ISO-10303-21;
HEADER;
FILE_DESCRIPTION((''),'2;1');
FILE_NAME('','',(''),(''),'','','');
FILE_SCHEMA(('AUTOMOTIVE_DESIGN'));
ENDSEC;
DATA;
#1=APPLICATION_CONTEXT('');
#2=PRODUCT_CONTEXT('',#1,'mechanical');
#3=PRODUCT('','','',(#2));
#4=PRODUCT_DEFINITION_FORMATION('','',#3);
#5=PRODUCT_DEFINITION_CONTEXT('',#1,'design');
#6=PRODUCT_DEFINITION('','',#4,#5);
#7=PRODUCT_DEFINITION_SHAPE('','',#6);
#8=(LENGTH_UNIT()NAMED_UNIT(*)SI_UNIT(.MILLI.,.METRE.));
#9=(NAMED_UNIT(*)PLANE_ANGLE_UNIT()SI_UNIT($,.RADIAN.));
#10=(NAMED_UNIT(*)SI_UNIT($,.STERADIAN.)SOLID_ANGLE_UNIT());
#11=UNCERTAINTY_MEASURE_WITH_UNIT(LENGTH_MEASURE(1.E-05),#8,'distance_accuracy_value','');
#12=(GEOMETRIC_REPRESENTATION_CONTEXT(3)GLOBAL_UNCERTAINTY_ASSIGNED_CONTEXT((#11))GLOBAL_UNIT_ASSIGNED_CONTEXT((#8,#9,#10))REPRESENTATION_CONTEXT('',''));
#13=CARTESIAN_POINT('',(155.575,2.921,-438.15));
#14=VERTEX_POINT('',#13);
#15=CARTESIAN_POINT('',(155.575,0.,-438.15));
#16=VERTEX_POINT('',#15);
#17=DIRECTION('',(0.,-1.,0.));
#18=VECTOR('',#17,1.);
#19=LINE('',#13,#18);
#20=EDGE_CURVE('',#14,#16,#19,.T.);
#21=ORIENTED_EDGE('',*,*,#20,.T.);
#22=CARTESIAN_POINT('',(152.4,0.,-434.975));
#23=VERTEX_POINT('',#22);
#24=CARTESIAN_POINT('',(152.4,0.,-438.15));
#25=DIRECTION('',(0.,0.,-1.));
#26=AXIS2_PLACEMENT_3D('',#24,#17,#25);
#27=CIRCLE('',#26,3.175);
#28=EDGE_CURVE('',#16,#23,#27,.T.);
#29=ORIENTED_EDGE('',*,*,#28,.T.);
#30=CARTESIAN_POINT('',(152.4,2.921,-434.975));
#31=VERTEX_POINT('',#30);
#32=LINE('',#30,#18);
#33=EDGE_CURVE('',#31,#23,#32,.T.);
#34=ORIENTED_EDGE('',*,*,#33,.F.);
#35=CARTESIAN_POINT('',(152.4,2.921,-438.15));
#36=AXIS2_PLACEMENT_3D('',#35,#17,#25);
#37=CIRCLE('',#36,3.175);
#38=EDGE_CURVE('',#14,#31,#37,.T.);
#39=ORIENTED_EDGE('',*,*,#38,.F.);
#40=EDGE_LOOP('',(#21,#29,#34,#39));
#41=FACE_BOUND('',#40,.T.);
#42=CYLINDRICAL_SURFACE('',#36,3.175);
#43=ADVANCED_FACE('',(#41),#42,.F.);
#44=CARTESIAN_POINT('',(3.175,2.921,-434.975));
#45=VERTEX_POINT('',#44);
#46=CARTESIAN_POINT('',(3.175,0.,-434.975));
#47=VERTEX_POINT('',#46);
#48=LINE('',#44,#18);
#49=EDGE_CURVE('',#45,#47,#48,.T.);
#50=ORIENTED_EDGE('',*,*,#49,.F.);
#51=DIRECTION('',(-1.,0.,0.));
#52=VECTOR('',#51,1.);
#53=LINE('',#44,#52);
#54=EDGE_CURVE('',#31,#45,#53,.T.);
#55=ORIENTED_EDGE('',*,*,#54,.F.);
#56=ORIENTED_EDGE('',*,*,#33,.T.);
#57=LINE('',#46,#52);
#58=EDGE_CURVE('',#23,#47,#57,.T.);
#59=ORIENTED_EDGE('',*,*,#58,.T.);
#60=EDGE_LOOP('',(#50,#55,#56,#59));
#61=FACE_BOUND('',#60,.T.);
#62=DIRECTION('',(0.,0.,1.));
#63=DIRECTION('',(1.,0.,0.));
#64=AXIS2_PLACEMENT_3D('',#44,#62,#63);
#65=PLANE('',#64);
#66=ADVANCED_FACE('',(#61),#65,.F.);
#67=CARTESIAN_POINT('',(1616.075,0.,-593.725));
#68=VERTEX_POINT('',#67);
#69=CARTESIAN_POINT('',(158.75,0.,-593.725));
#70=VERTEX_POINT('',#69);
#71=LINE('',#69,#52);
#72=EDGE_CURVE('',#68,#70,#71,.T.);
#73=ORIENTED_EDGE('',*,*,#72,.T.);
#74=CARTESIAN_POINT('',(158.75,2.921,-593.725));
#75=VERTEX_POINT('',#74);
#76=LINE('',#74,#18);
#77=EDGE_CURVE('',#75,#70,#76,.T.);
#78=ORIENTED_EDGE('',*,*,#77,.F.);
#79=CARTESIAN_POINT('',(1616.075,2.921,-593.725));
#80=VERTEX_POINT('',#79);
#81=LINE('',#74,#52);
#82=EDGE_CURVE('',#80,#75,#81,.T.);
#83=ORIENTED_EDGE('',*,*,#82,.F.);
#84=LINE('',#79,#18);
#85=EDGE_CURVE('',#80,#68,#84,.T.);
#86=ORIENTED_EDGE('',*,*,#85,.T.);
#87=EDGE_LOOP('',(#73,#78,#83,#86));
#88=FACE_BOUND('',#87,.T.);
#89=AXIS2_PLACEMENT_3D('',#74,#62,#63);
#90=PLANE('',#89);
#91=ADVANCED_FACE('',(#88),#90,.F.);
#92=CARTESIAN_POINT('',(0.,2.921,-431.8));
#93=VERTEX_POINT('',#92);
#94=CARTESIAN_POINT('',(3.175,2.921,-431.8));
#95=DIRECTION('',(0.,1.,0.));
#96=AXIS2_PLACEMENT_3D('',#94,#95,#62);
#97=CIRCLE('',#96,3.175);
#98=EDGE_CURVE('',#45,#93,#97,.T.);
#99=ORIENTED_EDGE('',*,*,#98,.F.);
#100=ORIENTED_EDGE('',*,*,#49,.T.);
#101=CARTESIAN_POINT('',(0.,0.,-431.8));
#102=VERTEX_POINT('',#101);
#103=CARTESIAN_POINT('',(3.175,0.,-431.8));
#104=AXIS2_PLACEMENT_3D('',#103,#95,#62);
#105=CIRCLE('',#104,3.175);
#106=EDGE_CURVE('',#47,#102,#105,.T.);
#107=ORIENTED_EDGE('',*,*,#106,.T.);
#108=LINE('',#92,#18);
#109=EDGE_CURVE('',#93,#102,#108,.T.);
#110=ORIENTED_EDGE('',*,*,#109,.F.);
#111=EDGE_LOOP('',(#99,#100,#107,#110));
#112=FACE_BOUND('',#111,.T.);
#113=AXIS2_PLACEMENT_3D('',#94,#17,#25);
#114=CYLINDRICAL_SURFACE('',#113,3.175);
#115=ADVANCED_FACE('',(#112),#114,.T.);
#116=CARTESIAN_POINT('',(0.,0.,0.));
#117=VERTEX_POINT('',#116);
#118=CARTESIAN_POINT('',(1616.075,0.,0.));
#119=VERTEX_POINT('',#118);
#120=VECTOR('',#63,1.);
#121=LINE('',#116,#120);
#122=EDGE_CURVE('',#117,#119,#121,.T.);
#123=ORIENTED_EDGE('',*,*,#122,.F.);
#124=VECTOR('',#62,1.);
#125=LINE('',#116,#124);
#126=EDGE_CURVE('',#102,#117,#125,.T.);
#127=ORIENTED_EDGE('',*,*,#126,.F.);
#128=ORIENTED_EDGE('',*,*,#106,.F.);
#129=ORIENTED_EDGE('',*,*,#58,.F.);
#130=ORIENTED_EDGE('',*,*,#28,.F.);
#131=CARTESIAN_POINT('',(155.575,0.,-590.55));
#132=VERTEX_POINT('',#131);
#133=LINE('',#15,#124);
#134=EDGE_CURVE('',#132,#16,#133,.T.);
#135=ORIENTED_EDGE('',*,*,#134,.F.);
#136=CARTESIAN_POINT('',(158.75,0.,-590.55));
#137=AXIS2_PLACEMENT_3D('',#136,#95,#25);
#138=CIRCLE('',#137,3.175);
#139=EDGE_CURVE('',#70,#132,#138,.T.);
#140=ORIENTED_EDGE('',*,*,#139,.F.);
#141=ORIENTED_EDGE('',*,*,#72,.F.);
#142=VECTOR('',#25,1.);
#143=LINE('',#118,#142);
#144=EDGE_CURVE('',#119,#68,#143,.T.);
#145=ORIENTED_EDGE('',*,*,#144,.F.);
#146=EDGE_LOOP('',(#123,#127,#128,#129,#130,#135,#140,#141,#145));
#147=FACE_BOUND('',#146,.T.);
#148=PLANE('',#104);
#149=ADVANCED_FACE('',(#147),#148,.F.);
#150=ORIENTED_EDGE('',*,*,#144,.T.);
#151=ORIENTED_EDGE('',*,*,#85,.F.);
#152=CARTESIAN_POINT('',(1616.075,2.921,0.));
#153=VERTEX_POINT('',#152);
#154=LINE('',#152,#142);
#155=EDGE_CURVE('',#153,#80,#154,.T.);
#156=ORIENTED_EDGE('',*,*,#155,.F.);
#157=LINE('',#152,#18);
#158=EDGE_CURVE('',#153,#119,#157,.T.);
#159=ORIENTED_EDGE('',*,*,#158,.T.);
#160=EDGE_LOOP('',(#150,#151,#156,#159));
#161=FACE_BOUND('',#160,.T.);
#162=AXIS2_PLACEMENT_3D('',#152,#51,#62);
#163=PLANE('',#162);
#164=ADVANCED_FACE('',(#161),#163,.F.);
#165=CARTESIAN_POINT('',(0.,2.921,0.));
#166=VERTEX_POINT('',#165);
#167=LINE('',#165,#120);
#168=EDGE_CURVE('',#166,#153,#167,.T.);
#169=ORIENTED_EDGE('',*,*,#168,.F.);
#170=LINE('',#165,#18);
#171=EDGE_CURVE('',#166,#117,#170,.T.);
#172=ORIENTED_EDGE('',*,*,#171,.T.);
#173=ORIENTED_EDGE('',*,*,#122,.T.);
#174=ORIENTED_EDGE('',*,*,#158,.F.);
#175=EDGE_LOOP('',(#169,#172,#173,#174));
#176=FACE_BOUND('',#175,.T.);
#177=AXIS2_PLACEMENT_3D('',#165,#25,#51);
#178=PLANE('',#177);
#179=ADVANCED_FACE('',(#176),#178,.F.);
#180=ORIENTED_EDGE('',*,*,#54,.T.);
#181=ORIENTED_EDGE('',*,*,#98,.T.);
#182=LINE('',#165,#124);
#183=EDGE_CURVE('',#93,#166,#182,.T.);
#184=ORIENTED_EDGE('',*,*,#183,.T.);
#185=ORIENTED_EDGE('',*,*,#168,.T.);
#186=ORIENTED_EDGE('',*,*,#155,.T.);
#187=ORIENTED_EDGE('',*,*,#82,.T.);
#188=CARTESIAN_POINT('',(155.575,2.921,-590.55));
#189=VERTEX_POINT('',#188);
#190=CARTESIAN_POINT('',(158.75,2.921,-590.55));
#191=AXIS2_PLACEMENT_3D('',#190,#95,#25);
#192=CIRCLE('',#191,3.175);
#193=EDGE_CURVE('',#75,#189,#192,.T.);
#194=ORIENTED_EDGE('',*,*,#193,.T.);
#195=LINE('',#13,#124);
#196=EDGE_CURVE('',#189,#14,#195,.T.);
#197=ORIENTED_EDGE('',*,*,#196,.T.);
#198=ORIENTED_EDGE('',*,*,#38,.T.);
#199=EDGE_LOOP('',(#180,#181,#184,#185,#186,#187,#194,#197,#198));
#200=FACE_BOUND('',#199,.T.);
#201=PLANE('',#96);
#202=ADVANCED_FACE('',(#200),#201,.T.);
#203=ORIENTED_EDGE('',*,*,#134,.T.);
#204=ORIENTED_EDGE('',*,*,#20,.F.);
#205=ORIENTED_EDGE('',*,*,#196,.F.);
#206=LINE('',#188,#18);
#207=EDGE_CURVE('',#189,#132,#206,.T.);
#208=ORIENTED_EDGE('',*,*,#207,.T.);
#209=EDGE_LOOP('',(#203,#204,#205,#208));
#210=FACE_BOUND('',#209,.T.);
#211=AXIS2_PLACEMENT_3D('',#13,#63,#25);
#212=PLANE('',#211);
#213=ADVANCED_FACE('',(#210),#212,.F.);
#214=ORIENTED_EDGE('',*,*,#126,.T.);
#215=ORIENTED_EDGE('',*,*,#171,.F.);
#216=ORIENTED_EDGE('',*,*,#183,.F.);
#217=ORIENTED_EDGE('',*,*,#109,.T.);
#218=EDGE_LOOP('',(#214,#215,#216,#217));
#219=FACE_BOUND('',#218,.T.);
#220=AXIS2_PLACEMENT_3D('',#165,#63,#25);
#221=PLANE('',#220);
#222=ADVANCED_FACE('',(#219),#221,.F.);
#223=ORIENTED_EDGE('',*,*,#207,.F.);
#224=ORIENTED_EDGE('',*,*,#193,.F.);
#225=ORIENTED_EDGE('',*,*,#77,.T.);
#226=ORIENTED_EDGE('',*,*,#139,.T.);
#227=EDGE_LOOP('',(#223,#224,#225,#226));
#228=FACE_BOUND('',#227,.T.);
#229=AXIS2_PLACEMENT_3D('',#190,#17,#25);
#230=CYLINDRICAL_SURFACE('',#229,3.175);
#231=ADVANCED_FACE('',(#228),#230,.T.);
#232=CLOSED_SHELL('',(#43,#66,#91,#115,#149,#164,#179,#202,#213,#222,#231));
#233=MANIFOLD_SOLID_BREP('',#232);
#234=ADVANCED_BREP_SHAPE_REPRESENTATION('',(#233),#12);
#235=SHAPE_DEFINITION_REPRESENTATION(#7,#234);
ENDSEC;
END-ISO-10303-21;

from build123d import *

# Parameters (mm, degrees)
BOSS_EXTRUDE1_DEPTH = 2.921


with BuildPart() as part:
    # Sketch1 → Boss-Extrude1 (new body)
    with BuildSketch(Plane(origin=(0, 0, 0), x_dir=(1, 0, 0), z_dir=(0, 1, 0))):
        with BuildLine():
            Line((0, 0), (1616.075, 0))
            Line((1616.075, 0), (1616.075, 593.725))
            Line((1616.075, 593.725), (158.75, 593.725))
            ThreePointArc((158.75, 593.725), (156.50493597, 592.79506403), (155.575, 590.55))
            Line((155.575, 590.55), (155.575, 438.15))
            ThreePointArc((155.575, 438.15), (154.64506403, 435.90493597), (152.4, 434.975))
            Line((152.4, 434.975), (3.175, 434.975))
            ThreePointArc((3.175, 434.975), (0.92993597, 434.04506403), (0, 431.8))
            Line((0, 431.8), (0, 0))
        make_face()
    extrude(amount=BOSS_EXTRUDE1_DEPTH)


solid = part.part
